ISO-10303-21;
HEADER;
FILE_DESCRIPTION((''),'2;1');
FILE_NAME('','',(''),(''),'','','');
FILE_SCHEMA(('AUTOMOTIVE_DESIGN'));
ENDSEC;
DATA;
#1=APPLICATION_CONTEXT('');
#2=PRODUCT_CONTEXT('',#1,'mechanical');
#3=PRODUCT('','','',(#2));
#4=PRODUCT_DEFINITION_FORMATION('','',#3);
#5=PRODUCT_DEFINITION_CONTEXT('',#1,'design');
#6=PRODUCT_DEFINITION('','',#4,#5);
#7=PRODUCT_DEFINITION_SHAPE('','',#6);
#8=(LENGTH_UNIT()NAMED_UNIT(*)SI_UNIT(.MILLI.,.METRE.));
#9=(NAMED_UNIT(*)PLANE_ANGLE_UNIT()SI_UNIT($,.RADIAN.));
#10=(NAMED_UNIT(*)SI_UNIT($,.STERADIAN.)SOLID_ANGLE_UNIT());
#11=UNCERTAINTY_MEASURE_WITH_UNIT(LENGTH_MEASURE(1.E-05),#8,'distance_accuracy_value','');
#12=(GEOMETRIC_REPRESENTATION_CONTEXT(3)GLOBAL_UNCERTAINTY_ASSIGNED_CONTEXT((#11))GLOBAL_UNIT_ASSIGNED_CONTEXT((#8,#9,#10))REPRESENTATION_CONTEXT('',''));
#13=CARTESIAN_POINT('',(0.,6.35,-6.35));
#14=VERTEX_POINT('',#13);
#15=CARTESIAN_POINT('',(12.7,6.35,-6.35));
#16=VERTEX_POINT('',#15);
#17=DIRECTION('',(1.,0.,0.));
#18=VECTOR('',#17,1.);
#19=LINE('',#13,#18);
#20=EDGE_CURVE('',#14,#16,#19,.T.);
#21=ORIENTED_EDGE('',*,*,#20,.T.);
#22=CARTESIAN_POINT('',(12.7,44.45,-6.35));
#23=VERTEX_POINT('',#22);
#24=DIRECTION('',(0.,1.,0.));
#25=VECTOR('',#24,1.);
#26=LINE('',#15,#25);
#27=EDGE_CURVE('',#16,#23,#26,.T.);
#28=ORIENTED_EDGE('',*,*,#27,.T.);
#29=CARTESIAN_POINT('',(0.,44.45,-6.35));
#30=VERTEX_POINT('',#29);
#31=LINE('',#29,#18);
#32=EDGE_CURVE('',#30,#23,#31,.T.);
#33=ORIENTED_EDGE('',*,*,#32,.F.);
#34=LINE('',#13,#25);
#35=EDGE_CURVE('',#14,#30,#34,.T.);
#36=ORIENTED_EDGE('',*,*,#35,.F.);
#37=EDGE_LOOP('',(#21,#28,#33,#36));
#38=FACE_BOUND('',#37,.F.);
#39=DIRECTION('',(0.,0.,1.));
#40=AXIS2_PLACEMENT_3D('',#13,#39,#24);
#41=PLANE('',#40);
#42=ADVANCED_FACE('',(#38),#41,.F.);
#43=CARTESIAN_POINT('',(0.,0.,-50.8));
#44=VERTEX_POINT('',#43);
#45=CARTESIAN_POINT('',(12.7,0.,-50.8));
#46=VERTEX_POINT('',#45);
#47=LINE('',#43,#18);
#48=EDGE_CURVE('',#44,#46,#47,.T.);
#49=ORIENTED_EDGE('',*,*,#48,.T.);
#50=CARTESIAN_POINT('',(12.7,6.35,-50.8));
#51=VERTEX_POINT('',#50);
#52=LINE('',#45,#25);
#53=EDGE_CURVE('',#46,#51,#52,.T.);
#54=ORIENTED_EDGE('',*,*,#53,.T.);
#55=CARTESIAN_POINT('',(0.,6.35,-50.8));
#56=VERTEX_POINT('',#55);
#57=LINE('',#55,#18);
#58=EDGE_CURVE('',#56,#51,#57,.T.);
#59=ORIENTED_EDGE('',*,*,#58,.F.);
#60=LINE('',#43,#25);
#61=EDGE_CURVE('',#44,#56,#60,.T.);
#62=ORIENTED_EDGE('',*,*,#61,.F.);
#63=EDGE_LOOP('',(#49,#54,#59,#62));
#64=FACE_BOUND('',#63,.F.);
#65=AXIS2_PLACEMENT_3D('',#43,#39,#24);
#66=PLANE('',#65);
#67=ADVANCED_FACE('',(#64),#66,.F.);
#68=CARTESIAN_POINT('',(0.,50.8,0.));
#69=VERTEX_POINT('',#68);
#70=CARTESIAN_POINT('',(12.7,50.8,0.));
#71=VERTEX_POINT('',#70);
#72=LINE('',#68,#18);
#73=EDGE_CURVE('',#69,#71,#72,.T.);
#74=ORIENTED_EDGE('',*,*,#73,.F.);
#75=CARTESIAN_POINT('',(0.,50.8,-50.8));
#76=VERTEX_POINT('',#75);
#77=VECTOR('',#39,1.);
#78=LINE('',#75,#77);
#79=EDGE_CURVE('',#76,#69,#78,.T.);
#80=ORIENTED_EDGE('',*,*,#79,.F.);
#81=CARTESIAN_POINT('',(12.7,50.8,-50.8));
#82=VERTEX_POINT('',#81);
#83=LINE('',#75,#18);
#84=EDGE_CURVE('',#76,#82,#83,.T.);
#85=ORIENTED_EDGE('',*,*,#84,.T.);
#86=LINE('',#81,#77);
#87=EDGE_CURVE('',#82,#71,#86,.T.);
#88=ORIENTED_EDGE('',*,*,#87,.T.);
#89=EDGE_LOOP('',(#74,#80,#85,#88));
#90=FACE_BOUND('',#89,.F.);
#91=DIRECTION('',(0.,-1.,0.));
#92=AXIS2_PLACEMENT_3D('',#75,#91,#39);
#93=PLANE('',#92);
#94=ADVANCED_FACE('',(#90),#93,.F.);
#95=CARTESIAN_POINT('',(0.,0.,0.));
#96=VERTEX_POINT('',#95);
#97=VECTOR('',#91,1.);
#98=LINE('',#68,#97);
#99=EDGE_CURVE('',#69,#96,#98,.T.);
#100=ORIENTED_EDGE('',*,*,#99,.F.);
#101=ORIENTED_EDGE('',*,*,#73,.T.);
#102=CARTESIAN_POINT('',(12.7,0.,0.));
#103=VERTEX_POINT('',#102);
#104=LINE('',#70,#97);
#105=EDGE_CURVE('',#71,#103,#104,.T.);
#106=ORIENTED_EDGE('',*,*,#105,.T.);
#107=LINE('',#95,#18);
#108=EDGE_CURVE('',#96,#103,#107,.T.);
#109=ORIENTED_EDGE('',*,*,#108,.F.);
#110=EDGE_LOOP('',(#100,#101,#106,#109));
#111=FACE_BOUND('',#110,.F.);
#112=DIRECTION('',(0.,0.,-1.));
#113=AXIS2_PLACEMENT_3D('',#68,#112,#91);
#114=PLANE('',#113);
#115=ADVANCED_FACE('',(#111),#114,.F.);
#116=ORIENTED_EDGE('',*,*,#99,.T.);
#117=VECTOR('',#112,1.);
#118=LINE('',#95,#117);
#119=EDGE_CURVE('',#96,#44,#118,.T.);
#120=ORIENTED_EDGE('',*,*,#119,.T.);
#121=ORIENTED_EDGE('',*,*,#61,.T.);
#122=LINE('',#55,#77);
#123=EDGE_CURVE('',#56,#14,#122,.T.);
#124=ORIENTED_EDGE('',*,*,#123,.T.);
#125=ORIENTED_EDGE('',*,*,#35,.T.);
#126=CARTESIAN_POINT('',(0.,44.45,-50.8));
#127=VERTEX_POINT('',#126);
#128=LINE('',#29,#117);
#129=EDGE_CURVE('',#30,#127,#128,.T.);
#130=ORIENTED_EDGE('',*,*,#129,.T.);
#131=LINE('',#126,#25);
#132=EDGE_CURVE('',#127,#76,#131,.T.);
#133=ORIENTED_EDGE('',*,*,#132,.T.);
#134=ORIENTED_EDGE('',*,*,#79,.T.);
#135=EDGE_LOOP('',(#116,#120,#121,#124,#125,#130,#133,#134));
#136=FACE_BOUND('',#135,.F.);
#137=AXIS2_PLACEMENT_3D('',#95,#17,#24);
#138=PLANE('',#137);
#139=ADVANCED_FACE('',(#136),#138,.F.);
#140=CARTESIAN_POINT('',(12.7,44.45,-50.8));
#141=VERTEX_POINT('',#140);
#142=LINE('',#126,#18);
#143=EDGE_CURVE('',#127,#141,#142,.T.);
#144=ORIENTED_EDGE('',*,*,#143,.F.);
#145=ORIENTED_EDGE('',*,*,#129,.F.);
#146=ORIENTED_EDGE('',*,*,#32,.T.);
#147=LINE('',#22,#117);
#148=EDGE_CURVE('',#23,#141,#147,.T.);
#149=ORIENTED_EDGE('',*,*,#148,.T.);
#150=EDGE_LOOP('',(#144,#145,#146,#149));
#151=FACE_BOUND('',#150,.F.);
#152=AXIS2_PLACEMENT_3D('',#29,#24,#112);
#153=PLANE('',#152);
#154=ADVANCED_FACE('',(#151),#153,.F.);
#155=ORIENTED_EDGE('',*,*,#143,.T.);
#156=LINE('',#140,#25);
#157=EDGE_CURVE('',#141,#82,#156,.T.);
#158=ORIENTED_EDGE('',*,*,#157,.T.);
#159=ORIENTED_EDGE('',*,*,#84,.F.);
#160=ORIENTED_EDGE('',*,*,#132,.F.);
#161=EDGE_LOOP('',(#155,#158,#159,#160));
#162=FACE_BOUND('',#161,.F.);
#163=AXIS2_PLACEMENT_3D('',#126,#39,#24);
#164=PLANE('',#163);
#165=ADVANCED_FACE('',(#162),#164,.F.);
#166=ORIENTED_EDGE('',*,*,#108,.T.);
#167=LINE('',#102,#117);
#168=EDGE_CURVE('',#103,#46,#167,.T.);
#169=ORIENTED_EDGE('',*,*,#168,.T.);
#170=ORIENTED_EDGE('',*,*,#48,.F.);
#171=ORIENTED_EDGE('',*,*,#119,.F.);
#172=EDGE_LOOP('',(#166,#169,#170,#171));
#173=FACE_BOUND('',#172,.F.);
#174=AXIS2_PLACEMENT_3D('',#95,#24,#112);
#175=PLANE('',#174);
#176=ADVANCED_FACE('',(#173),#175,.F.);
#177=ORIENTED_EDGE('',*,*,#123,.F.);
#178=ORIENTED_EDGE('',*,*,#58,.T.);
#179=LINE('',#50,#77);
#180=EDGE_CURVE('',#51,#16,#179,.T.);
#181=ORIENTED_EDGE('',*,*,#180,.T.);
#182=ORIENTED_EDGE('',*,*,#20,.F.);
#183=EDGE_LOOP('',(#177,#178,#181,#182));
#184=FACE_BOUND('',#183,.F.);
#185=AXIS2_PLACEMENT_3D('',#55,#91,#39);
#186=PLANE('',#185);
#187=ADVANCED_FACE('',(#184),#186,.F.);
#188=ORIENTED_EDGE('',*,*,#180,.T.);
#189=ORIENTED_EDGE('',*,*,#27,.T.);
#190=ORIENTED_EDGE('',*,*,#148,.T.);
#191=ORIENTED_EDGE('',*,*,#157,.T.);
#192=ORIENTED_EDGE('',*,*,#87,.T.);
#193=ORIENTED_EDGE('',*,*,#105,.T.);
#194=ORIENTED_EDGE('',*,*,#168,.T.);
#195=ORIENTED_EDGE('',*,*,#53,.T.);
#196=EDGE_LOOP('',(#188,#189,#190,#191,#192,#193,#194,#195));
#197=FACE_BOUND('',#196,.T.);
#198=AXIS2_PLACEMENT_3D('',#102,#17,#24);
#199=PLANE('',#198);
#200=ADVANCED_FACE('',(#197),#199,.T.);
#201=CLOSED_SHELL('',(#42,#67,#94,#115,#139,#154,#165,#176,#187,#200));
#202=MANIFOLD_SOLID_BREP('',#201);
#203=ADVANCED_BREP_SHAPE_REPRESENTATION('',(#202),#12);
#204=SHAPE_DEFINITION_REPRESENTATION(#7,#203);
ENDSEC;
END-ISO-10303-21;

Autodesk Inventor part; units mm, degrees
ref_plane "YZ Plane" through (0, 0, 0) normal (1, 0, 0) x (0, 1, 0)
ref_plane "XZ Plane" through (0, 0, 0) normal (0, 1, 0) x (-1, 0, 0)
ref_plane "XY Plane" through (0, 0, 0) normal (0, 0, 1) x (1, 0, 0)
sketch "Sketch1" plane through (0, 0, 0) normal (1, 0, 0) x (0, 1, 0)
  line L0 (0, 0) -> (0, -50.8)
  line L1 (0, -50.8) -> (6.35, -50.8)
  line L2 (6.35, -50.8) -> (6.35, -6.35)
  line L3 (6.35, -6.35) -> (44.45, -6.35)
  line L4 (44.45, -6.35) -> (44.45, -50.8)
  line L5 (44.45, -50.8) -> (50.8, -50.8)
  line L6 (50.8, -50.8) -> (50.8, 0)
  line L7 (50.8, 0) -> (0, 0)
  dimension "d0" = 50.8
  dimension "d1" = 6.35
  dimension "d2" = 44.45
  dimension "d3" = 38.1
  dimension "d4" = 44.45
  dimension "d5" = 6.35
extrude "Extrusion1" add sketch "Sketch1" along normal blind 12.7
properties part number "Camera Mount"
